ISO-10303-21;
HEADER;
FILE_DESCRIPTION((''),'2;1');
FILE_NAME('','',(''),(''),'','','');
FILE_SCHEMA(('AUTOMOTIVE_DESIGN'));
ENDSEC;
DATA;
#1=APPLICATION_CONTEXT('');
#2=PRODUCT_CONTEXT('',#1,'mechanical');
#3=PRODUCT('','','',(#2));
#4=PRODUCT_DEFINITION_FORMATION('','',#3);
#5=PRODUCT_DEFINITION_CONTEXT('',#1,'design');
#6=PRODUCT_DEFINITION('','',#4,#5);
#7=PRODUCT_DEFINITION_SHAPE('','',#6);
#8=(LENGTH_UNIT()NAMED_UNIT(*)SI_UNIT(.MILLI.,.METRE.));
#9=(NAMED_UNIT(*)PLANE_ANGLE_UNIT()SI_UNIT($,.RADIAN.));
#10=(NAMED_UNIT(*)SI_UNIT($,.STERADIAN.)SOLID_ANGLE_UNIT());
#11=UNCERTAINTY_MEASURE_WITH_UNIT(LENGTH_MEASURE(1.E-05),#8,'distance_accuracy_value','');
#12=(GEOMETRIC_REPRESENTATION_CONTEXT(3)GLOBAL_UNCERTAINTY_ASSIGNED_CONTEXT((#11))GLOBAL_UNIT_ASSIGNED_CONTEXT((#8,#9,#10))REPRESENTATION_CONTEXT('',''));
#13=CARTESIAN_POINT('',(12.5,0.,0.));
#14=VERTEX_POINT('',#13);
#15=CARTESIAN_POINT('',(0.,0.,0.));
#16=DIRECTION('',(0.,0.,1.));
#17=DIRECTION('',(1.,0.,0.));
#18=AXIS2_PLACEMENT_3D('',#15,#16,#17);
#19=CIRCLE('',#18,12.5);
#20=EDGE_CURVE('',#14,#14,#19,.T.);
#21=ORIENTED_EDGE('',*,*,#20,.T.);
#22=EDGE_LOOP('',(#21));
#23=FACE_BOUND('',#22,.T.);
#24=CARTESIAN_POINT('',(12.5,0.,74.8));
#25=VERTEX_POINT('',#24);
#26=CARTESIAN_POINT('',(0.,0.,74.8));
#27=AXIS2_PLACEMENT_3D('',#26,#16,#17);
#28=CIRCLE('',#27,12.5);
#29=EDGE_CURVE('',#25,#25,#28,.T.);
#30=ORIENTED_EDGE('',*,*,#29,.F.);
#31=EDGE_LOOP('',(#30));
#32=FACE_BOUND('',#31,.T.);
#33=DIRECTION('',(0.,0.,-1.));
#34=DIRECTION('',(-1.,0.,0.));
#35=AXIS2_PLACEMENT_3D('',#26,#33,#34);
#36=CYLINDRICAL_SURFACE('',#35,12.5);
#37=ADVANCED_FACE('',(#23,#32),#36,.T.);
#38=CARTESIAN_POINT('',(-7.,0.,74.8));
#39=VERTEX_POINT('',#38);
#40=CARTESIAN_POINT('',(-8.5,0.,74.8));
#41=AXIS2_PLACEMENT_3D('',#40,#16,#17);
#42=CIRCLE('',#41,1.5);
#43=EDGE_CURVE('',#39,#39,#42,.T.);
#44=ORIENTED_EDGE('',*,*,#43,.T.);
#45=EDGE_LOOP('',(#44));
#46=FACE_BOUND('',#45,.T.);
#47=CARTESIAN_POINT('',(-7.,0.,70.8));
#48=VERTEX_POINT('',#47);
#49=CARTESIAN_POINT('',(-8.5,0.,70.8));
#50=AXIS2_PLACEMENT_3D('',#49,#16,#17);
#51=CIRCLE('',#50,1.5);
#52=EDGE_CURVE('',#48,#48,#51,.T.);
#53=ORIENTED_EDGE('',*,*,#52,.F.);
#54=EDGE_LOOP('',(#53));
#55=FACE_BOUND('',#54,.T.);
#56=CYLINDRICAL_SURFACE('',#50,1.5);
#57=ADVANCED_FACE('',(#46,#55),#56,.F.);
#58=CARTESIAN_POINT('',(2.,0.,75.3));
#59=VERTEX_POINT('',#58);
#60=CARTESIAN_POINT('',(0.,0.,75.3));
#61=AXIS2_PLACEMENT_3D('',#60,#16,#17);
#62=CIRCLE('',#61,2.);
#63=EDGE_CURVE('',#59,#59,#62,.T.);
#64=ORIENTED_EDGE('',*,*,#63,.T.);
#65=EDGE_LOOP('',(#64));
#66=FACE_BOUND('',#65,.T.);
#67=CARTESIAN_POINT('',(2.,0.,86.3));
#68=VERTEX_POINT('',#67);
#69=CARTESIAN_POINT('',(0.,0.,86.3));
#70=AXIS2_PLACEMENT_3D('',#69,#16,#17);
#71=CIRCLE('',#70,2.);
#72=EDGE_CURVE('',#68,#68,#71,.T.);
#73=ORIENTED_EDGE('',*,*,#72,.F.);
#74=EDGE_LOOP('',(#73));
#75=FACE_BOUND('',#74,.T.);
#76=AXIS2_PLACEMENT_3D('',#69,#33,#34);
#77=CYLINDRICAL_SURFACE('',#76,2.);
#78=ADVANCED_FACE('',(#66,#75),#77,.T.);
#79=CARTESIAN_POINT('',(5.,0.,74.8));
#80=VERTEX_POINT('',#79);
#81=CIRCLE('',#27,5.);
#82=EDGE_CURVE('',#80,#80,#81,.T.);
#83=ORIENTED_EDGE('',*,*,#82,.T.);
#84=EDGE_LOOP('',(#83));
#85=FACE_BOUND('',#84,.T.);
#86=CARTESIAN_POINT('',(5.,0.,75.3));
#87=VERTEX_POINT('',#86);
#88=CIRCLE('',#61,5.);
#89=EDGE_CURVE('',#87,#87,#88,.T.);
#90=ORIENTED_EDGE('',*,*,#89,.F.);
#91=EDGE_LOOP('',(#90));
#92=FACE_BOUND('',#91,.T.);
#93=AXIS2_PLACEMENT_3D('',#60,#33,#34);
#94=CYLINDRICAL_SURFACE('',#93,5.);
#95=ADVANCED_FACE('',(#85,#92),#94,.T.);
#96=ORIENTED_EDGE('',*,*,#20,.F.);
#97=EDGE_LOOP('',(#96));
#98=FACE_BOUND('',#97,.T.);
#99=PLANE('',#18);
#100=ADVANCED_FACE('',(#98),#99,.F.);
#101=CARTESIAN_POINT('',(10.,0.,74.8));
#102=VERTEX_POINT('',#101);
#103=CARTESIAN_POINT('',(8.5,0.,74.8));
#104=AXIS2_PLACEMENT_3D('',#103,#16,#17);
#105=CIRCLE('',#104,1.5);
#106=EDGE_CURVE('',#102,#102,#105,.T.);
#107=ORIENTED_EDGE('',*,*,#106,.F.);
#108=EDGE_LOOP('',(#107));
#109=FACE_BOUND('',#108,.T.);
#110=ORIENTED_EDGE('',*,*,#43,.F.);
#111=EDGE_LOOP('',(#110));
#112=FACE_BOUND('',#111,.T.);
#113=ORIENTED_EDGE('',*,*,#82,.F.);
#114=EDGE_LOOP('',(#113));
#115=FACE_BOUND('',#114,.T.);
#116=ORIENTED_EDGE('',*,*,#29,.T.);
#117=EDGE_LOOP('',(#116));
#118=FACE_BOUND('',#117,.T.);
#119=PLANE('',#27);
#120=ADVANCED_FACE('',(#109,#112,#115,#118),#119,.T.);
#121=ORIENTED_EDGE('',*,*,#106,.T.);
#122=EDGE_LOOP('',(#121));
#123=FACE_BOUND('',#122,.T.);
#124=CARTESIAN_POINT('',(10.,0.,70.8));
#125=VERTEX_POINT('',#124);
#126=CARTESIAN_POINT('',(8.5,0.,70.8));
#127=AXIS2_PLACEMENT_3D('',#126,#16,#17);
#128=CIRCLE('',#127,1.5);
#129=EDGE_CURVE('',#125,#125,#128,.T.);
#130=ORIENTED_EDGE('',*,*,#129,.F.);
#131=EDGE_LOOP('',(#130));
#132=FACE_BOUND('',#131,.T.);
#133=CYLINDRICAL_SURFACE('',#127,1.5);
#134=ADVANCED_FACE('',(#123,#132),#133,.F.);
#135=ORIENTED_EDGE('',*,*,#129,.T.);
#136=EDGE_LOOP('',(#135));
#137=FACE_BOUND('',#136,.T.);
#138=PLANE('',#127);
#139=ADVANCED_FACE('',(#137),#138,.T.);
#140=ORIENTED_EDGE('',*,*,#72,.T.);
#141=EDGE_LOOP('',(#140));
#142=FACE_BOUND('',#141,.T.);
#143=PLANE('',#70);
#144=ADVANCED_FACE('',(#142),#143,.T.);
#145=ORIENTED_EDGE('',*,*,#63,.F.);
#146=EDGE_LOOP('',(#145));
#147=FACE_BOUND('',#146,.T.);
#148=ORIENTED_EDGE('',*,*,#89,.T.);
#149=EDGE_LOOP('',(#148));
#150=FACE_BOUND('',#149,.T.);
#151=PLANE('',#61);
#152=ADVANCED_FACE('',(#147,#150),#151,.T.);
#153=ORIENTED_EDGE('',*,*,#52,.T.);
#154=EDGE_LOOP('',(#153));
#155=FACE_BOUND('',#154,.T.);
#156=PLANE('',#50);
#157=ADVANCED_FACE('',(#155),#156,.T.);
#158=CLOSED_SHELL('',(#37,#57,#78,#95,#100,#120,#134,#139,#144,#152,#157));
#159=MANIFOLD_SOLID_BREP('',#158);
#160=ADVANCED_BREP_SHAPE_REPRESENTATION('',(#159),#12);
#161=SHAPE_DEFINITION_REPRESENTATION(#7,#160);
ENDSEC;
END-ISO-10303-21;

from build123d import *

# Parameters (mm, degrees)
SKETCH3_R           = 12.5
BOSS_EXTRUDE1_DEPTH = 74.8
SKETCH4_R           = 5
BOSS_EXTRUDE2_DEPTH = 0.5
SKETCH5_R           = 2
BOSS_EXTRUDE3_DEPTH = 11
SKETCH6_R           = 1.5
CUT_EXTRUDE1_DEPTH  = 4


with BuildPart() as part:
    # Sketch3 → Boss-Extrude1 (new body)
    with BuildSketch(Plane.XY):
        Circle(SKETCH3_R)
    extrude(amount=BOSS_EXTRUDE1_DEPTH)

    # Sketch4 → Boss-Extrude2 (add)
    with BuildSketch(Plane.XY.offset(74.8)):
        Circle(SKETCH4_R)
    extrude(amount=BOSS_EXTRUDE2_DEPTH)

    # Sketch5 → Boss-Extrude3 (add)
    with BuildSketch(Plane.XY.offset(75.3)):
        Circle(SKETCH5_R)
    extrude(amount=BOSS_EXTRUDE3_DEPTH)

    # Sketch6 → Cut-Extrude1 (cut)
    with BuildSketch(Plane.XY.offset(74.8)):
        with Locations((-8.5, 0)):
            Circle(SKETCH6_R)
        with Locations((8.5, 0)):
            Circle(SKETCH6_R)
    extrude(amount=-CUT_EXTRUDE1_DEPTH, mode=Mode.SUBTRACT)


solid = part.part
